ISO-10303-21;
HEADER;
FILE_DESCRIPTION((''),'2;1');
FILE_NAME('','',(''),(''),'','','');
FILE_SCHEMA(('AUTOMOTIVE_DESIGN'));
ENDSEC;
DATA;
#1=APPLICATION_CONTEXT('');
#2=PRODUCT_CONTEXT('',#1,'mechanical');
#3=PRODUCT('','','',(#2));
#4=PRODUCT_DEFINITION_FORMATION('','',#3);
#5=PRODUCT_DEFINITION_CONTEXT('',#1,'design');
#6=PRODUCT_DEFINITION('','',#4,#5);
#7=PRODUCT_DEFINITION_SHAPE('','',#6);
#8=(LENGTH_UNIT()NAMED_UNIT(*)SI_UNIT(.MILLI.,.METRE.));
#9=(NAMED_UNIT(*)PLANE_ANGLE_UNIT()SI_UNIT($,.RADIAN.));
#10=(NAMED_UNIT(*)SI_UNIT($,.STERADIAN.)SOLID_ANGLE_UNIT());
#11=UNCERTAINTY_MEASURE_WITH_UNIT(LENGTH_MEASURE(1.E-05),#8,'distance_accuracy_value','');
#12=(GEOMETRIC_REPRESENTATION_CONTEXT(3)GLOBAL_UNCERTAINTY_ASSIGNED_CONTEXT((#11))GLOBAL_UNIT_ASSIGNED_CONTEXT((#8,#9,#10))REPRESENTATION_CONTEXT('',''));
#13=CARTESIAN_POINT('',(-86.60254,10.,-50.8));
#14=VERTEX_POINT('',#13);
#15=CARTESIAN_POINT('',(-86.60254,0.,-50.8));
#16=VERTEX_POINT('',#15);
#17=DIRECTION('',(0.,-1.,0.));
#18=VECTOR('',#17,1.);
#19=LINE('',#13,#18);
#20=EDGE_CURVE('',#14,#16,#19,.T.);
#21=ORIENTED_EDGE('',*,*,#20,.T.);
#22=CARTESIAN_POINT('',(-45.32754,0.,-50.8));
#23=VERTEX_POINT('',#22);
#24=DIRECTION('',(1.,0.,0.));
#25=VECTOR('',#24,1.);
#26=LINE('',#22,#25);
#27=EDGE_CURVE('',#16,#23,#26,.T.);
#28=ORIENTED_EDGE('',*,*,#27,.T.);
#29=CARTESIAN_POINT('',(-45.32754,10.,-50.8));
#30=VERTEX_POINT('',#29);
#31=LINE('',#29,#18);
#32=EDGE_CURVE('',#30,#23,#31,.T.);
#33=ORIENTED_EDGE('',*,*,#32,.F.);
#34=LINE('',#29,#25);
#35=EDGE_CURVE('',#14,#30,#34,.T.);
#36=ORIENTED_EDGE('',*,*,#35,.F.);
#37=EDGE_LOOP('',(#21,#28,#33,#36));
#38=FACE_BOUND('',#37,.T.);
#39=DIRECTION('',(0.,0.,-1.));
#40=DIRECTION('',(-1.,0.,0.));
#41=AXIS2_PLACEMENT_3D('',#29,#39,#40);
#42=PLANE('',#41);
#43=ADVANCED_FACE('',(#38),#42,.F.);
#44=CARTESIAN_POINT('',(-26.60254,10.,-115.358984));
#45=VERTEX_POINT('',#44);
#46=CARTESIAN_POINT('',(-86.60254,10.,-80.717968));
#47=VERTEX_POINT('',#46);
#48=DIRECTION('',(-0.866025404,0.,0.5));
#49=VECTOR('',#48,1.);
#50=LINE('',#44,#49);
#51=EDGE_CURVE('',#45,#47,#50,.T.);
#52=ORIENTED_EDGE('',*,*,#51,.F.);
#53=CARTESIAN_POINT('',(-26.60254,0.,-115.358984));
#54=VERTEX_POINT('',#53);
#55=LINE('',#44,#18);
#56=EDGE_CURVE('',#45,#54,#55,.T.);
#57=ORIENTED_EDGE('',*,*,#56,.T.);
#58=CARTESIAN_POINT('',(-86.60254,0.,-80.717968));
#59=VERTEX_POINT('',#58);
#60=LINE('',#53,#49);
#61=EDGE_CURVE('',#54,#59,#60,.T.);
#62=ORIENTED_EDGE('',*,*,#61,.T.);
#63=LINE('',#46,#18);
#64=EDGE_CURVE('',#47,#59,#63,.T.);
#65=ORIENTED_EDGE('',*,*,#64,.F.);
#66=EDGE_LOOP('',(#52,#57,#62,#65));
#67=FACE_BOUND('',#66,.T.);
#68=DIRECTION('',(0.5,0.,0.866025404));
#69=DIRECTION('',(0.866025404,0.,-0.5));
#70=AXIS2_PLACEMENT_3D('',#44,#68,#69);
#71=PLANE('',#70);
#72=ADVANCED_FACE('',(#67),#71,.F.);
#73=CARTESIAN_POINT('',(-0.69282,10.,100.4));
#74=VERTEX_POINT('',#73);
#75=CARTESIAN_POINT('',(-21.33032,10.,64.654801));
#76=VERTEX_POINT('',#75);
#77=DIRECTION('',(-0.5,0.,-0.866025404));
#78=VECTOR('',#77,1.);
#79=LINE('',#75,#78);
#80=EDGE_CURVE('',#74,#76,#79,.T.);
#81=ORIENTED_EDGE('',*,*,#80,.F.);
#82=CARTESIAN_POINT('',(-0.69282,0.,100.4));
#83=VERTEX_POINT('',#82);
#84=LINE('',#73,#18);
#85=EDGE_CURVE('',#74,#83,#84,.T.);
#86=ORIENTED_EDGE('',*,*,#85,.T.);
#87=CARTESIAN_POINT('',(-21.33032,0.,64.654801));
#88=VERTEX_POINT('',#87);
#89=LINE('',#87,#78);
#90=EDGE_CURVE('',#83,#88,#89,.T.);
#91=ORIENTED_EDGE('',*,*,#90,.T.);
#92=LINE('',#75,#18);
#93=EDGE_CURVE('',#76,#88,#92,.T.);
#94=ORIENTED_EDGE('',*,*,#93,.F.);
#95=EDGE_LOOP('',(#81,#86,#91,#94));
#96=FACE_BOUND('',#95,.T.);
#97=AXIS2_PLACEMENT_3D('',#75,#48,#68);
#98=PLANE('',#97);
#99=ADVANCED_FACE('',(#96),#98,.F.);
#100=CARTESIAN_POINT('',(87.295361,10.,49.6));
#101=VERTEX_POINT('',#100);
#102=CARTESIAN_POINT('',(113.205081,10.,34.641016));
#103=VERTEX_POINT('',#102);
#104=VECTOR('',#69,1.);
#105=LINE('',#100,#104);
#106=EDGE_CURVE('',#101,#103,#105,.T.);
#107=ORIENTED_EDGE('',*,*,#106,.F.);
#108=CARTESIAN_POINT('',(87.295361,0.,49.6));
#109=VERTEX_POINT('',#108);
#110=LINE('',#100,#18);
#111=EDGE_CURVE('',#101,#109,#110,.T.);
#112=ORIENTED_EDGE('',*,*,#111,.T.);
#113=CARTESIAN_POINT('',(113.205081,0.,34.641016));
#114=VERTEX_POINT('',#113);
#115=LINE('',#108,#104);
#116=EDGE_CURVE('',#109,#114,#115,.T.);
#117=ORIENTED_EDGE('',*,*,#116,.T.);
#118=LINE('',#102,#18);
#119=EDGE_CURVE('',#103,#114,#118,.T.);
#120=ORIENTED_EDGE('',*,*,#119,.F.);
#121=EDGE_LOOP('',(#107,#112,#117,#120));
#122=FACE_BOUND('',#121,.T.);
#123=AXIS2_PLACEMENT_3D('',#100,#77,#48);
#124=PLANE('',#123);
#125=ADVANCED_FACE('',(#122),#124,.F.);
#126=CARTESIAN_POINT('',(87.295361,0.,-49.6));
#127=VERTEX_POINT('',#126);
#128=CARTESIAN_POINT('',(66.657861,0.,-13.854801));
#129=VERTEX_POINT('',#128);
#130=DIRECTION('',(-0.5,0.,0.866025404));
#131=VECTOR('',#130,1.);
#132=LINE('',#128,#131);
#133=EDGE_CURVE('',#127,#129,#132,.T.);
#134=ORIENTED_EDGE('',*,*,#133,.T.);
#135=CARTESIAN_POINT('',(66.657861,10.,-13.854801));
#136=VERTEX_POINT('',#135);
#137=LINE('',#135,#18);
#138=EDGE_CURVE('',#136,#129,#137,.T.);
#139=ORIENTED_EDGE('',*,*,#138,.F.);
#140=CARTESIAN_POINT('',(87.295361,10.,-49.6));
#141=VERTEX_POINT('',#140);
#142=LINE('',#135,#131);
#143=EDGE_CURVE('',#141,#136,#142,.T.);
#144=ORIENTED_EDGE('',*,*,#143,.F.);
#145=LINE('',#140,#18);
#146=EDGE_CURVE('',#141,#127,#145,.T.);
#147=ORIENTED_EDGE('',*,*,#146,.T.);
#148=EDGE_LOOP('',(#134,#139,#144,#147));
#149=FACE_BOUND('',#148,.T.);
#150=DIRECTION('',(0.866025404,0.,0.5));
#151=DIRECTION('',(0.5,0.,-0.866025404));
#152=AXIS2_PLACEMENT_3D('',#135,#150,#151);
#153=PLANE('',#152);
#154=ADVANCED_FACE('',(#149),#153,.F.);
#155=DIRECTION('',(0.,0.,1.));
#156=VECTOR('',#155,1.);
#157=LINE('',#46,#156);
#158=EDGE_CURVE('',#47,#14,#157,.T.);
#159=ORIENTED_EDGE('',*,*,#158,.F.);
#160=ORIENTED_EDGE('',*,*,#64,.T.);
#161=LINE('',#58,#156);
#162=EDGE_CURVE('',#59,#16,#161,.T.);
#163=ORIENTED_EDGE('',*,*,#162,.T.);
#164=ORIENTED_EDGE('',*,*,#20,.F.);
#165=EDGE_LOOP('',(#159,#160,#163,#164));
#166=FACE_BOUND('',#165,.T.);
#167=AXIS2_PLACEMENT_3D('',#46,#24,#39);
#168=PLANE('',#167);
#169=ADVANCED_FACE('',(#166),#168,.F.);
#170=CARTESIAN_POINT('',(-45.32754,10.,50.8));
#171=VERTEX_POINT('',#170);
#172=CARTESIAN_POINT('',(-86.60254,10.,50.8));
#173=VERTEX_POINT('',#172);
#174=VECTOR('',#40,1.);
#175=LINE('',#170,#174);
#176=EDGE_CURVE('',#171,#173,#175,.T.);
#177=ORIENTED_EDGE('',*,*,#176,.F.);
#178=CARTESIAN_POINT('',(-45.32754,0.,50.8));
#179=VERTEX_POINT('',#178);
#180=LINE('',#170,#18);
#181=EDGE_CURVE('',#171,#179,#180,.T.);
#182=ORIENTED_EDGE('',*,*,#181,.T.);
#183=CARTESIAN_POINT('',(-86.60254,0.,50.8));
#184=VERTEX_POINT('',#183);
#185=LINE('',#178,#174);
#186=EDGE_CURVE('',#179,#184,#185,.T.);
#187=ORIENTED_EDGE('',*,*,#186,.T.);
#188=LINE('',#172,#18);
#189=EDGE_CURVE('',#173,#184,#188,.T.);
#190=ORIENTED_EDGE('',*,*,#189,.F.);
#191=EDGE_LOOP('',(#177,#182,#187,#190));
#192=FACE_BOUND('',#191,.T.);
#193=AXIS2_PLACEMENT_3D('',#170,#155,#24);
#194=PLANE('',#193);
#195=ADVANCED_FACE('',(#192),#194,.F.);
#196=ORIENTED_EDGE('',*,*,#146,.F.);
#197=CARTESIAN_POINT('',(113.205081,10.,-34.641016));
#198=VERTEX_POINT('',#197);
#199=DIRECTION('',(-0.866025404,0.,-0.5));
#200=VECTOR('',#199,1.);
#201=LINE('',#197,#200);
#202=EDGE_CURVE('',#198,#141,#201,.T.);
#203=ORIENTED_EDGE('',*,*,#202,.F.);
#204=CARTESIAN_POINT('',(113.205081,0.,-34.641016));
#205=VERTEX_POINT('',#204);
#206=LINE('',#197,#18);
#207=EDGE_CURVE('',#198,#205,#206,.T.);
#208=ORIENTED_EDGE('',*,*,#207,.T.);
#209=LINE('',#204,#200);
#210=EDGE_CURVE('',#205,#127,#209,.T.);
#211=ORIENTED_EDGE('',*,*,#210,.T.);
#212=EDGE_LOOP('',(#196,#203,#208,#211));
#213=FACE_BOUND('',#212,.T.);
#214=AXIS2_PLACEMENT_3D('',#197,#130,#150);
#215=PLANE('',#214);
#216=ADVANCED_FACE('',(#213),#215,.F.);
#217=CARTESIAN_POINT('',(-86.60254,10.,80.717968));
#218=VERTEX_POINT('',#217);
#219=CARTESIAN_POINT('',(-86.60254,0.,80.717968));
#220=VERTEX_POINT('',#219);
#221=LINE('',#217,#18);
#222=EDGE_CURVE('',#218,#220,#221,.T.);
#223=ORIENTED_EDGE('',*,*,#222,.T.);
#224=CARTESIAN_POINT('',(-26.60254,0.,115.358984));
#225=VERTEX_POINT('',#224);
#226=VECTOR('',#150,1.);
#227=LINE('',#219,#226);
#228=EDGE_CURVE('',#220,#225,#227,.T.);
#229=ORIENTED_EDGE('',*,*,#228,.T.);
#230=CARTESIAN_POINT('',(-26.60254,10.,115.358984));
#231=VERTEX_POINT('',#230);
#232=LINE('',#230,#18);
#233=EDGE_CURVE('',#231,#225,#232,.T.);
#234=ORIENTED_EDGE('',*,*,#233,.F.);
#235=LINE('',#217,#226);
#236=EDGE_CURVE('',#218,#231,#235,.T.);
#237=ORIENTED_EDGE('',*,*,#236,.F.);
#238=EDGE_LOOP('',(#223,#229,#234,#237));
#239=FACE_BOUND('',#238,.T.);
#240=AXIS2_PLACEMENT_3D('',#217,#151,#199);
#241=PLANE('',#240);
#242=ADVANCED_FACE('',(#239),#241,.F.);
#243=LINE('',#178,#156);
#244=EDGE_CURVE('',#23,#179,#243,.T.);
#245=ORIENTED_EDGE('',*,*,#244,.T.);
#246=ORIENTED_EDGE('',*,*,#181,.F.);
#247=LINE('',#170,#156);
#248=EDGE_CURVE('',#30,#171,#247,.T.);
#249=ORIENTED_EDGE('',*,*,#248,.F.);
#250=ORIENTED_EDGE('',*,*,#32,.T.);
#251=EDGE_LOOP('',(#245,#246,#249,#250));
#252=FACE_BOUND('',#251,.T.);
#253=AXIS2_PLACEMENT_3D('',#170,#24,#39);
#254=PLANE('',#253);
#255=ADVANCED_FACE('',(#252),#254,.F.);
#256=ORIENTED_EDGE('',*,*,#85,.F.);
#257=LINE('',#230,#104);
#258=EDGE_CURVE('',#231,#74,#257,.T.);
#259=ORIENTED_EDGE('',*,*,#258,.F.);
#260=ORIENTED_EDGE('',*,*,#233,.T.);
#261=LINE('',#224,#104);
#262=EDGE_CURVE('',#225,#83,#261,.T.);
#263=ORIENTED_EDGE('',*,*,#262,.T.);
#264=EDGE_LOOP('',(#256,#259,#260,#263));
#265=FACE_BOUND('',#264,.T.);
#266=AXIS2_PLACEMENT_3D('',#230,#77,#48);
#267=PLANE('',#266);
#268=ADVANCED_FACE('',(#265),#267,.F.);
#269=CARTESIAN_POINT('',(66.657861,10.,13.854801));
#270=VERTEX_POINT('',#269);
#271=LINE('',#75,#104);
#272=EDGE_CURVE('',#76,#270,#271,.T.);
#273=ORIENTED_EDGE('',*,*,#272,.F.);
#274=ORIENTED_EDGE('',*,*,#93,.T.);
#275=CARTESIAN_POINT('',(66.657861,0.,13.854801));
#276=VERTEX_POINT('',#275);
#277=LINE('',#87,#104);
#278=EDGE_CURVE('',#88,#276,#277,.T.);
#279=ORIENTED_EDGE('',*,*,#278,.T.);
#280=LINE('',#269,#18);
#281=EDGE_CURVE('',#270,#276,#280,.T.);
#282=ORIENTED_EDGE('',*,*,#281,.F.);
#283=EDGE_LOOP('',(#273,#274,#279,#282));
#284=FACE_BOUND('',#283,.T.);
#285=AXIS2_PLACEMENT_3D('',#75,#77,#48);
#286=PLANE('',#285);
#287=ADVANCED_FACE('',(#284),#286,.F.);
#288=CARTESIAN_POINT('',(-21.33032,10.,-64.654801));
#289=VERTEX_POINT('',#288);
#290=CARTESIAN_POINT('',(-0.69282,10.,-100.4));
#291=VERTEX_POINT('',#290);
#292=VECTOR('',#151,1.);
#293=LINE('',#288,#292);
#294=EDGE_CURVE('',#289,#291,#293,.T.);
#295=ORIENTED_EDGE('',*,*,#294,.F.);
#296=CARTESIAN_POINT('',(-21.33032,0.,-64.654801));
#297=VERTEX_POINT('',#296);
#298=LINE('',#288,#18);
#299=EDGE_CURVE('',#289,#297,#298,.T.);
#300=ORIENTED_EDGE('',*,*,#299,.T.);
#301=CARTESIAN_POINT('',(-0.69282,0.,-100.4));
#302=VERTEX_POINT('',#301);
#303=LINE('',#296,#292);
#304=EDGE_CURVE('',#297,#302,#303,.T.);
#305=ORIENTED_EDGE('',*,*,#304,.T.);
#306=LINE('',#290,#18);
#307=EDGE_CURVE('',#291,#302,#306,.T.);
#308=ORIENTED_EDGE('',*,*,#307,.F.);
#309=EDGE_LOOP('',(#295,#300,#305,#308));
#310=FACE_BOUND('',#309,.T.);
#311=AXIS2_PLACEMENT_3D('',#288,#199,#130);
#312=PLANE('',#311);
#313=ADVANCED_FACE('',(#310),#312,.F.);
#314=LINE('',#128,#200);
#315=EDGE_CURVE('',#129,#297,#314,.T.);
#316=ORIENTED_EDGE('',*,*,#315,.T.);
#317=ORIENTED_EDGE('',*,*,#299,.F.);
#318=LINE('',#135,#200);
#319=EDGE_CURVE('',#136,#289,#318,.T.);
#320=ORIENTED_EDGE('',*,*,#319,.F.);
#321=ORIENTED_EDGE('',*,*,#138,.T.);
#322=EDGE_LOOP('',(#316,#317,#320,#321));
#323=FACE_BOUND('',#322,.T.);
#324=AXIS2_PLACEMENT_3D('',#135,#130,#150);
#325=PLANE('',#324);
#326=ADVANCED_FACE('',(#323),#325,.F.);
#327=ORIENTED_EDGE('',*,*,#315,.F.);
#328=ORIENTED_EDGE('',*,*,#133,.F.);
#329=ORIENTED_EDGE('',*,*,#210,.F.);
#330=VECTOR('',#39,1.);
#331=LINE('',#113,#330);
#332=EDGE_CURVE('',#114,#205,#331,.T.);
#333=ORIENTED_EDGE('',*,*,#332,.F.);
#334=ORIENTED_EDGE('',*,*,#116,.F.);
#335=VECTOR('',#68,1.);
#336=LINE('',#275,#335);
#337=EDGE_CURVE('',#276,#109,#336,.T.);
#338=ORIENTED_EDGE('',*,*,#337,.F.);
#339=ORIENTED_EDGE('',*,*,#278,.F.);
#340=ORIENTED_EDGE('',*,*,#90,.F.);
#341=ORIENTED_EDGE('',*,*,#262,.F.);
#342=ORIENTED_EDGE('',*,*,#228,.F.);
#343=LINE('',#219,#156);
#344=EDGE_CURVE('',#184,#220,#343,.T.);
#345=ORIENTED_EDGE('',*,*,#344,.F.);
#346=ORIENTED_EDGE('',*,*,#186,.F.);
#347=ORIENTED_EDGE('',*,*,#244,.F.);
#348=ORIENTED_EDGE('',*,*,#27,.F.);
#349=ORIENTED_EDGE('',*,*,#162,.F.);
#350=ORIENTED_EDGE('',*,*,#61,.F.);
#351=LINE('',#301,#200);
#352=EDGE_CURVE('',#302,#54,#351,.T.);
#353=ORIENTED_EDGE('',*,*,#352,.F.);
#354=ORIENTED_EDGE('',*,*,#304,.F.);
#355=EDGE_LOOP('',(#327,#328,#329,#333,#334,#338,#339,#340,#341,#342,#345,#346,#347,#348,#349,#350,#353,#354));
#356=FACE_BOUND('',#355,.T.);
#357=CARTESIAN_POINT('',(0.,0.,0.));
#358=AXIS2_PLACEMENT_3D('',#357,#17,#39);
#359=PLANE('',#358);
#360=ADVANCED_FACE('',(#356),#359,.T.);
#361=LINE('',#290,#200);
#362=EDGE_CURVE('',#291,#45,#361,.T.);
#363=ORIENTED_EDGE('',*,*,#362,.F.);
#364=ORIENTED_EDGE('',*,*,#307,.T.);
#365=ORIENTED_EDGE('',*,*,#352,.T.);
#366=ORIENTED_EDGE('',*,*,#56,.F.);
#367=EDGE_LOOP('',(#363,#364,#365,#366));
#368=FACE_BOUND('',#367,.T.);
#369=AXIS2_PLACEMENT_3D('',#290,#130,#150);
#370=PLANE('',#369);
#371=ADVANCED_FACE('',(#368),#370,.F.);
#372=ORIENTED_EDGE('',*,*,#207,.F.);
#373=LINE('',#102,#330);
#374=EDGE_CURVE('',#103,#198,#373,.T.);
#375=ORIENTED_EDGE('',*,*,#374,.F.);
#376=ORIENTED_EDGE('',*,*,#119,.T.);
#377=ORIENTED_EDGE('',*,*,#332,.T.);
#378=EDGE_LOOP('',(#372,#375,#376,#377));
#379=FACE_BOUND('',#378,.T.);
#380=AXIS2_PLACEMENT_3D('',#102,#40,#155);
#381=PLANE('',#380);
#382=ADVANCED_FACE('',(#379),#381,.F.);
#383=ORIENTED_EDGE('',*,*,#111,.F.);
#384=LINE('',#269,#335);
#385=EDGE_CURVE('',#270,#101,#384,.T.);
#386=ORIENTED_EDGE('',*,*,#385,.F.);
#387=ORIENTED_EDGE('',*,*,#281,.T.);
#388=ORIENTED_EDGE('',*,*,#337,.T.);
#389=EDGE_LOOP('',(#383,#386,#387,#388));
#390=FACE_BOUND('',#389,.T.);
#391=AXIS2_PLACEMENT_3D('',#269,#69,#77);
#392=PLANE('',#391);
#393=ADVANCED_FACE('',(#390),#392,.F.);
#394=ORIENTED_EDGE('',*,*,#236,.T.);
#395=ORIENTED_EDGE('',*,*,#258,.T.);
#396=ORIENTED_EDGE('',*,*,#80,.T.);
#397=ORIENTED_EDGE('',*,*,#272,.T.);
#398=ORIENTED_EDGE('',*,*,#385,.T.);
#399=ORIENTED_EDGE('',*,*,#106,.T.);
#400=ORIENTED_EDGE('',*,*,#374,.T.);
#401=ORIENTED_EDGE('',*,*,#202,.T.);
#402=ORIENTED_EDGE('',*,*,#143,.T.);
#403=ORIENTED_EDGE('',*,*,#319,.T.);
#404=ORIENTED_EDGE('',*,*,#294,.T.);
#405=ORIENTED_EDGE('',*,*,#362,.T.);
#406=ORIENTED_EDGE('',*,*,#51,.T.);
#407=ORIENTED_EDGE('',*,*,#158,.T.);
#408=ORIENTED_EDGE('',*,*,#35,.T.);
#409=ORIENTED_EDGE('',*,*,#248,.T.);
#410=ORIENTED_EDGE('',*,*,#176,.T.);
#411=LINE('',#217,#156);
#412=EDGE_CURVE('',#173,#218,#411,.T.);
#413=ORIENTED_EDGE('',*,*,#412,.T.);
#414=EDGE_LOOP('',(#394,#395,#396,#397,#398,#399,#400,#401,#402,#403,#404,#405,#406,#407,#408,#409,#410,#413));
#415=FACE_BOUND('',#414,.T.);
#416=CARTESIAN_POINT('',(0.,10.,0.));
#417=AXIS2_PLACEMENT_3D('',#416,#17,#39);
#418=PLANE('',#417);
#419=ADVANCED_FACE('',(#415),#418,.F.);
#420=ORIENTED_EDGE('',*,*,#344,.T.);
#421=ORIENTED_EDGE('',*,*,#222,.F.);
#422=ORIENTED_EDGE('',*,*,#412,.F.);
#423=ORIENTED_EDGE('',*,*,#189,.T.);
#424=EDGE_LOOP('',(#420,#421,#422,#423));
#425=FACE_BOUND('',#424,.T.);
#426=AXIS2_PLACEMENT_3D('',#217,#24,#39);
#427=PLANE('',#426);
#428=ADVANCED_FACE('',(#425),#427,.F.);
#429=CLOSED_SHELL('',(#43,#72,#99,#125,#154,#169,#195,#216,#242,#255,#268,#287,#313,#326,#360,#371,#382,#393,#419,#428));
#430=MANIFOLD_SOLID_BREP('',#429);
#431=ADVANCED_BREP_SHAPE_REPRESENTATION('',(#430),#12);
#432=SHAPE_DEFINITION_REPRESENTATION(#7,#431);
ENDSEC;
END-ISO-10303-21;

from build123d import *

# Parameters (mm, degrees)
BOSS_EXTRUDE1_DEPTH = 10


with BuildPart() as part:
    # Sketch2 → Boss-Extrude1 (new body)
    with BuildSketch(Plane(origin=(0, 0, 0), x_dir=(1, 0, 0), z_dir=(0, 1, 0))):
        Polygon((-26.602540378, 115.358983849), (-86.602540378, 80.717967697), (-86.602540378, 50.8), (-45.327540378, 50.8), (-45.327540378, -50.8), (-86.602540378, -50.8), (-86.602540378, -80.717967697), (-26.602540378, -115.358983849), (-0.692820323, -100.4), (-21.330320323, -64.654801459), (66.657860701, -13.854801459), (87.295360701, -49.6), (113.205080757, -34.641016151), (113.205080757, 34.641016151), (87.295360701, 49.6), (66.657860701, 13.854801459), (-21.330320323, 64.654801459), (-0.692820323, 100.4), align=None)
    extrude(amount=BOSS_EXTRUDE1_DEPTH)


solid = part.part
